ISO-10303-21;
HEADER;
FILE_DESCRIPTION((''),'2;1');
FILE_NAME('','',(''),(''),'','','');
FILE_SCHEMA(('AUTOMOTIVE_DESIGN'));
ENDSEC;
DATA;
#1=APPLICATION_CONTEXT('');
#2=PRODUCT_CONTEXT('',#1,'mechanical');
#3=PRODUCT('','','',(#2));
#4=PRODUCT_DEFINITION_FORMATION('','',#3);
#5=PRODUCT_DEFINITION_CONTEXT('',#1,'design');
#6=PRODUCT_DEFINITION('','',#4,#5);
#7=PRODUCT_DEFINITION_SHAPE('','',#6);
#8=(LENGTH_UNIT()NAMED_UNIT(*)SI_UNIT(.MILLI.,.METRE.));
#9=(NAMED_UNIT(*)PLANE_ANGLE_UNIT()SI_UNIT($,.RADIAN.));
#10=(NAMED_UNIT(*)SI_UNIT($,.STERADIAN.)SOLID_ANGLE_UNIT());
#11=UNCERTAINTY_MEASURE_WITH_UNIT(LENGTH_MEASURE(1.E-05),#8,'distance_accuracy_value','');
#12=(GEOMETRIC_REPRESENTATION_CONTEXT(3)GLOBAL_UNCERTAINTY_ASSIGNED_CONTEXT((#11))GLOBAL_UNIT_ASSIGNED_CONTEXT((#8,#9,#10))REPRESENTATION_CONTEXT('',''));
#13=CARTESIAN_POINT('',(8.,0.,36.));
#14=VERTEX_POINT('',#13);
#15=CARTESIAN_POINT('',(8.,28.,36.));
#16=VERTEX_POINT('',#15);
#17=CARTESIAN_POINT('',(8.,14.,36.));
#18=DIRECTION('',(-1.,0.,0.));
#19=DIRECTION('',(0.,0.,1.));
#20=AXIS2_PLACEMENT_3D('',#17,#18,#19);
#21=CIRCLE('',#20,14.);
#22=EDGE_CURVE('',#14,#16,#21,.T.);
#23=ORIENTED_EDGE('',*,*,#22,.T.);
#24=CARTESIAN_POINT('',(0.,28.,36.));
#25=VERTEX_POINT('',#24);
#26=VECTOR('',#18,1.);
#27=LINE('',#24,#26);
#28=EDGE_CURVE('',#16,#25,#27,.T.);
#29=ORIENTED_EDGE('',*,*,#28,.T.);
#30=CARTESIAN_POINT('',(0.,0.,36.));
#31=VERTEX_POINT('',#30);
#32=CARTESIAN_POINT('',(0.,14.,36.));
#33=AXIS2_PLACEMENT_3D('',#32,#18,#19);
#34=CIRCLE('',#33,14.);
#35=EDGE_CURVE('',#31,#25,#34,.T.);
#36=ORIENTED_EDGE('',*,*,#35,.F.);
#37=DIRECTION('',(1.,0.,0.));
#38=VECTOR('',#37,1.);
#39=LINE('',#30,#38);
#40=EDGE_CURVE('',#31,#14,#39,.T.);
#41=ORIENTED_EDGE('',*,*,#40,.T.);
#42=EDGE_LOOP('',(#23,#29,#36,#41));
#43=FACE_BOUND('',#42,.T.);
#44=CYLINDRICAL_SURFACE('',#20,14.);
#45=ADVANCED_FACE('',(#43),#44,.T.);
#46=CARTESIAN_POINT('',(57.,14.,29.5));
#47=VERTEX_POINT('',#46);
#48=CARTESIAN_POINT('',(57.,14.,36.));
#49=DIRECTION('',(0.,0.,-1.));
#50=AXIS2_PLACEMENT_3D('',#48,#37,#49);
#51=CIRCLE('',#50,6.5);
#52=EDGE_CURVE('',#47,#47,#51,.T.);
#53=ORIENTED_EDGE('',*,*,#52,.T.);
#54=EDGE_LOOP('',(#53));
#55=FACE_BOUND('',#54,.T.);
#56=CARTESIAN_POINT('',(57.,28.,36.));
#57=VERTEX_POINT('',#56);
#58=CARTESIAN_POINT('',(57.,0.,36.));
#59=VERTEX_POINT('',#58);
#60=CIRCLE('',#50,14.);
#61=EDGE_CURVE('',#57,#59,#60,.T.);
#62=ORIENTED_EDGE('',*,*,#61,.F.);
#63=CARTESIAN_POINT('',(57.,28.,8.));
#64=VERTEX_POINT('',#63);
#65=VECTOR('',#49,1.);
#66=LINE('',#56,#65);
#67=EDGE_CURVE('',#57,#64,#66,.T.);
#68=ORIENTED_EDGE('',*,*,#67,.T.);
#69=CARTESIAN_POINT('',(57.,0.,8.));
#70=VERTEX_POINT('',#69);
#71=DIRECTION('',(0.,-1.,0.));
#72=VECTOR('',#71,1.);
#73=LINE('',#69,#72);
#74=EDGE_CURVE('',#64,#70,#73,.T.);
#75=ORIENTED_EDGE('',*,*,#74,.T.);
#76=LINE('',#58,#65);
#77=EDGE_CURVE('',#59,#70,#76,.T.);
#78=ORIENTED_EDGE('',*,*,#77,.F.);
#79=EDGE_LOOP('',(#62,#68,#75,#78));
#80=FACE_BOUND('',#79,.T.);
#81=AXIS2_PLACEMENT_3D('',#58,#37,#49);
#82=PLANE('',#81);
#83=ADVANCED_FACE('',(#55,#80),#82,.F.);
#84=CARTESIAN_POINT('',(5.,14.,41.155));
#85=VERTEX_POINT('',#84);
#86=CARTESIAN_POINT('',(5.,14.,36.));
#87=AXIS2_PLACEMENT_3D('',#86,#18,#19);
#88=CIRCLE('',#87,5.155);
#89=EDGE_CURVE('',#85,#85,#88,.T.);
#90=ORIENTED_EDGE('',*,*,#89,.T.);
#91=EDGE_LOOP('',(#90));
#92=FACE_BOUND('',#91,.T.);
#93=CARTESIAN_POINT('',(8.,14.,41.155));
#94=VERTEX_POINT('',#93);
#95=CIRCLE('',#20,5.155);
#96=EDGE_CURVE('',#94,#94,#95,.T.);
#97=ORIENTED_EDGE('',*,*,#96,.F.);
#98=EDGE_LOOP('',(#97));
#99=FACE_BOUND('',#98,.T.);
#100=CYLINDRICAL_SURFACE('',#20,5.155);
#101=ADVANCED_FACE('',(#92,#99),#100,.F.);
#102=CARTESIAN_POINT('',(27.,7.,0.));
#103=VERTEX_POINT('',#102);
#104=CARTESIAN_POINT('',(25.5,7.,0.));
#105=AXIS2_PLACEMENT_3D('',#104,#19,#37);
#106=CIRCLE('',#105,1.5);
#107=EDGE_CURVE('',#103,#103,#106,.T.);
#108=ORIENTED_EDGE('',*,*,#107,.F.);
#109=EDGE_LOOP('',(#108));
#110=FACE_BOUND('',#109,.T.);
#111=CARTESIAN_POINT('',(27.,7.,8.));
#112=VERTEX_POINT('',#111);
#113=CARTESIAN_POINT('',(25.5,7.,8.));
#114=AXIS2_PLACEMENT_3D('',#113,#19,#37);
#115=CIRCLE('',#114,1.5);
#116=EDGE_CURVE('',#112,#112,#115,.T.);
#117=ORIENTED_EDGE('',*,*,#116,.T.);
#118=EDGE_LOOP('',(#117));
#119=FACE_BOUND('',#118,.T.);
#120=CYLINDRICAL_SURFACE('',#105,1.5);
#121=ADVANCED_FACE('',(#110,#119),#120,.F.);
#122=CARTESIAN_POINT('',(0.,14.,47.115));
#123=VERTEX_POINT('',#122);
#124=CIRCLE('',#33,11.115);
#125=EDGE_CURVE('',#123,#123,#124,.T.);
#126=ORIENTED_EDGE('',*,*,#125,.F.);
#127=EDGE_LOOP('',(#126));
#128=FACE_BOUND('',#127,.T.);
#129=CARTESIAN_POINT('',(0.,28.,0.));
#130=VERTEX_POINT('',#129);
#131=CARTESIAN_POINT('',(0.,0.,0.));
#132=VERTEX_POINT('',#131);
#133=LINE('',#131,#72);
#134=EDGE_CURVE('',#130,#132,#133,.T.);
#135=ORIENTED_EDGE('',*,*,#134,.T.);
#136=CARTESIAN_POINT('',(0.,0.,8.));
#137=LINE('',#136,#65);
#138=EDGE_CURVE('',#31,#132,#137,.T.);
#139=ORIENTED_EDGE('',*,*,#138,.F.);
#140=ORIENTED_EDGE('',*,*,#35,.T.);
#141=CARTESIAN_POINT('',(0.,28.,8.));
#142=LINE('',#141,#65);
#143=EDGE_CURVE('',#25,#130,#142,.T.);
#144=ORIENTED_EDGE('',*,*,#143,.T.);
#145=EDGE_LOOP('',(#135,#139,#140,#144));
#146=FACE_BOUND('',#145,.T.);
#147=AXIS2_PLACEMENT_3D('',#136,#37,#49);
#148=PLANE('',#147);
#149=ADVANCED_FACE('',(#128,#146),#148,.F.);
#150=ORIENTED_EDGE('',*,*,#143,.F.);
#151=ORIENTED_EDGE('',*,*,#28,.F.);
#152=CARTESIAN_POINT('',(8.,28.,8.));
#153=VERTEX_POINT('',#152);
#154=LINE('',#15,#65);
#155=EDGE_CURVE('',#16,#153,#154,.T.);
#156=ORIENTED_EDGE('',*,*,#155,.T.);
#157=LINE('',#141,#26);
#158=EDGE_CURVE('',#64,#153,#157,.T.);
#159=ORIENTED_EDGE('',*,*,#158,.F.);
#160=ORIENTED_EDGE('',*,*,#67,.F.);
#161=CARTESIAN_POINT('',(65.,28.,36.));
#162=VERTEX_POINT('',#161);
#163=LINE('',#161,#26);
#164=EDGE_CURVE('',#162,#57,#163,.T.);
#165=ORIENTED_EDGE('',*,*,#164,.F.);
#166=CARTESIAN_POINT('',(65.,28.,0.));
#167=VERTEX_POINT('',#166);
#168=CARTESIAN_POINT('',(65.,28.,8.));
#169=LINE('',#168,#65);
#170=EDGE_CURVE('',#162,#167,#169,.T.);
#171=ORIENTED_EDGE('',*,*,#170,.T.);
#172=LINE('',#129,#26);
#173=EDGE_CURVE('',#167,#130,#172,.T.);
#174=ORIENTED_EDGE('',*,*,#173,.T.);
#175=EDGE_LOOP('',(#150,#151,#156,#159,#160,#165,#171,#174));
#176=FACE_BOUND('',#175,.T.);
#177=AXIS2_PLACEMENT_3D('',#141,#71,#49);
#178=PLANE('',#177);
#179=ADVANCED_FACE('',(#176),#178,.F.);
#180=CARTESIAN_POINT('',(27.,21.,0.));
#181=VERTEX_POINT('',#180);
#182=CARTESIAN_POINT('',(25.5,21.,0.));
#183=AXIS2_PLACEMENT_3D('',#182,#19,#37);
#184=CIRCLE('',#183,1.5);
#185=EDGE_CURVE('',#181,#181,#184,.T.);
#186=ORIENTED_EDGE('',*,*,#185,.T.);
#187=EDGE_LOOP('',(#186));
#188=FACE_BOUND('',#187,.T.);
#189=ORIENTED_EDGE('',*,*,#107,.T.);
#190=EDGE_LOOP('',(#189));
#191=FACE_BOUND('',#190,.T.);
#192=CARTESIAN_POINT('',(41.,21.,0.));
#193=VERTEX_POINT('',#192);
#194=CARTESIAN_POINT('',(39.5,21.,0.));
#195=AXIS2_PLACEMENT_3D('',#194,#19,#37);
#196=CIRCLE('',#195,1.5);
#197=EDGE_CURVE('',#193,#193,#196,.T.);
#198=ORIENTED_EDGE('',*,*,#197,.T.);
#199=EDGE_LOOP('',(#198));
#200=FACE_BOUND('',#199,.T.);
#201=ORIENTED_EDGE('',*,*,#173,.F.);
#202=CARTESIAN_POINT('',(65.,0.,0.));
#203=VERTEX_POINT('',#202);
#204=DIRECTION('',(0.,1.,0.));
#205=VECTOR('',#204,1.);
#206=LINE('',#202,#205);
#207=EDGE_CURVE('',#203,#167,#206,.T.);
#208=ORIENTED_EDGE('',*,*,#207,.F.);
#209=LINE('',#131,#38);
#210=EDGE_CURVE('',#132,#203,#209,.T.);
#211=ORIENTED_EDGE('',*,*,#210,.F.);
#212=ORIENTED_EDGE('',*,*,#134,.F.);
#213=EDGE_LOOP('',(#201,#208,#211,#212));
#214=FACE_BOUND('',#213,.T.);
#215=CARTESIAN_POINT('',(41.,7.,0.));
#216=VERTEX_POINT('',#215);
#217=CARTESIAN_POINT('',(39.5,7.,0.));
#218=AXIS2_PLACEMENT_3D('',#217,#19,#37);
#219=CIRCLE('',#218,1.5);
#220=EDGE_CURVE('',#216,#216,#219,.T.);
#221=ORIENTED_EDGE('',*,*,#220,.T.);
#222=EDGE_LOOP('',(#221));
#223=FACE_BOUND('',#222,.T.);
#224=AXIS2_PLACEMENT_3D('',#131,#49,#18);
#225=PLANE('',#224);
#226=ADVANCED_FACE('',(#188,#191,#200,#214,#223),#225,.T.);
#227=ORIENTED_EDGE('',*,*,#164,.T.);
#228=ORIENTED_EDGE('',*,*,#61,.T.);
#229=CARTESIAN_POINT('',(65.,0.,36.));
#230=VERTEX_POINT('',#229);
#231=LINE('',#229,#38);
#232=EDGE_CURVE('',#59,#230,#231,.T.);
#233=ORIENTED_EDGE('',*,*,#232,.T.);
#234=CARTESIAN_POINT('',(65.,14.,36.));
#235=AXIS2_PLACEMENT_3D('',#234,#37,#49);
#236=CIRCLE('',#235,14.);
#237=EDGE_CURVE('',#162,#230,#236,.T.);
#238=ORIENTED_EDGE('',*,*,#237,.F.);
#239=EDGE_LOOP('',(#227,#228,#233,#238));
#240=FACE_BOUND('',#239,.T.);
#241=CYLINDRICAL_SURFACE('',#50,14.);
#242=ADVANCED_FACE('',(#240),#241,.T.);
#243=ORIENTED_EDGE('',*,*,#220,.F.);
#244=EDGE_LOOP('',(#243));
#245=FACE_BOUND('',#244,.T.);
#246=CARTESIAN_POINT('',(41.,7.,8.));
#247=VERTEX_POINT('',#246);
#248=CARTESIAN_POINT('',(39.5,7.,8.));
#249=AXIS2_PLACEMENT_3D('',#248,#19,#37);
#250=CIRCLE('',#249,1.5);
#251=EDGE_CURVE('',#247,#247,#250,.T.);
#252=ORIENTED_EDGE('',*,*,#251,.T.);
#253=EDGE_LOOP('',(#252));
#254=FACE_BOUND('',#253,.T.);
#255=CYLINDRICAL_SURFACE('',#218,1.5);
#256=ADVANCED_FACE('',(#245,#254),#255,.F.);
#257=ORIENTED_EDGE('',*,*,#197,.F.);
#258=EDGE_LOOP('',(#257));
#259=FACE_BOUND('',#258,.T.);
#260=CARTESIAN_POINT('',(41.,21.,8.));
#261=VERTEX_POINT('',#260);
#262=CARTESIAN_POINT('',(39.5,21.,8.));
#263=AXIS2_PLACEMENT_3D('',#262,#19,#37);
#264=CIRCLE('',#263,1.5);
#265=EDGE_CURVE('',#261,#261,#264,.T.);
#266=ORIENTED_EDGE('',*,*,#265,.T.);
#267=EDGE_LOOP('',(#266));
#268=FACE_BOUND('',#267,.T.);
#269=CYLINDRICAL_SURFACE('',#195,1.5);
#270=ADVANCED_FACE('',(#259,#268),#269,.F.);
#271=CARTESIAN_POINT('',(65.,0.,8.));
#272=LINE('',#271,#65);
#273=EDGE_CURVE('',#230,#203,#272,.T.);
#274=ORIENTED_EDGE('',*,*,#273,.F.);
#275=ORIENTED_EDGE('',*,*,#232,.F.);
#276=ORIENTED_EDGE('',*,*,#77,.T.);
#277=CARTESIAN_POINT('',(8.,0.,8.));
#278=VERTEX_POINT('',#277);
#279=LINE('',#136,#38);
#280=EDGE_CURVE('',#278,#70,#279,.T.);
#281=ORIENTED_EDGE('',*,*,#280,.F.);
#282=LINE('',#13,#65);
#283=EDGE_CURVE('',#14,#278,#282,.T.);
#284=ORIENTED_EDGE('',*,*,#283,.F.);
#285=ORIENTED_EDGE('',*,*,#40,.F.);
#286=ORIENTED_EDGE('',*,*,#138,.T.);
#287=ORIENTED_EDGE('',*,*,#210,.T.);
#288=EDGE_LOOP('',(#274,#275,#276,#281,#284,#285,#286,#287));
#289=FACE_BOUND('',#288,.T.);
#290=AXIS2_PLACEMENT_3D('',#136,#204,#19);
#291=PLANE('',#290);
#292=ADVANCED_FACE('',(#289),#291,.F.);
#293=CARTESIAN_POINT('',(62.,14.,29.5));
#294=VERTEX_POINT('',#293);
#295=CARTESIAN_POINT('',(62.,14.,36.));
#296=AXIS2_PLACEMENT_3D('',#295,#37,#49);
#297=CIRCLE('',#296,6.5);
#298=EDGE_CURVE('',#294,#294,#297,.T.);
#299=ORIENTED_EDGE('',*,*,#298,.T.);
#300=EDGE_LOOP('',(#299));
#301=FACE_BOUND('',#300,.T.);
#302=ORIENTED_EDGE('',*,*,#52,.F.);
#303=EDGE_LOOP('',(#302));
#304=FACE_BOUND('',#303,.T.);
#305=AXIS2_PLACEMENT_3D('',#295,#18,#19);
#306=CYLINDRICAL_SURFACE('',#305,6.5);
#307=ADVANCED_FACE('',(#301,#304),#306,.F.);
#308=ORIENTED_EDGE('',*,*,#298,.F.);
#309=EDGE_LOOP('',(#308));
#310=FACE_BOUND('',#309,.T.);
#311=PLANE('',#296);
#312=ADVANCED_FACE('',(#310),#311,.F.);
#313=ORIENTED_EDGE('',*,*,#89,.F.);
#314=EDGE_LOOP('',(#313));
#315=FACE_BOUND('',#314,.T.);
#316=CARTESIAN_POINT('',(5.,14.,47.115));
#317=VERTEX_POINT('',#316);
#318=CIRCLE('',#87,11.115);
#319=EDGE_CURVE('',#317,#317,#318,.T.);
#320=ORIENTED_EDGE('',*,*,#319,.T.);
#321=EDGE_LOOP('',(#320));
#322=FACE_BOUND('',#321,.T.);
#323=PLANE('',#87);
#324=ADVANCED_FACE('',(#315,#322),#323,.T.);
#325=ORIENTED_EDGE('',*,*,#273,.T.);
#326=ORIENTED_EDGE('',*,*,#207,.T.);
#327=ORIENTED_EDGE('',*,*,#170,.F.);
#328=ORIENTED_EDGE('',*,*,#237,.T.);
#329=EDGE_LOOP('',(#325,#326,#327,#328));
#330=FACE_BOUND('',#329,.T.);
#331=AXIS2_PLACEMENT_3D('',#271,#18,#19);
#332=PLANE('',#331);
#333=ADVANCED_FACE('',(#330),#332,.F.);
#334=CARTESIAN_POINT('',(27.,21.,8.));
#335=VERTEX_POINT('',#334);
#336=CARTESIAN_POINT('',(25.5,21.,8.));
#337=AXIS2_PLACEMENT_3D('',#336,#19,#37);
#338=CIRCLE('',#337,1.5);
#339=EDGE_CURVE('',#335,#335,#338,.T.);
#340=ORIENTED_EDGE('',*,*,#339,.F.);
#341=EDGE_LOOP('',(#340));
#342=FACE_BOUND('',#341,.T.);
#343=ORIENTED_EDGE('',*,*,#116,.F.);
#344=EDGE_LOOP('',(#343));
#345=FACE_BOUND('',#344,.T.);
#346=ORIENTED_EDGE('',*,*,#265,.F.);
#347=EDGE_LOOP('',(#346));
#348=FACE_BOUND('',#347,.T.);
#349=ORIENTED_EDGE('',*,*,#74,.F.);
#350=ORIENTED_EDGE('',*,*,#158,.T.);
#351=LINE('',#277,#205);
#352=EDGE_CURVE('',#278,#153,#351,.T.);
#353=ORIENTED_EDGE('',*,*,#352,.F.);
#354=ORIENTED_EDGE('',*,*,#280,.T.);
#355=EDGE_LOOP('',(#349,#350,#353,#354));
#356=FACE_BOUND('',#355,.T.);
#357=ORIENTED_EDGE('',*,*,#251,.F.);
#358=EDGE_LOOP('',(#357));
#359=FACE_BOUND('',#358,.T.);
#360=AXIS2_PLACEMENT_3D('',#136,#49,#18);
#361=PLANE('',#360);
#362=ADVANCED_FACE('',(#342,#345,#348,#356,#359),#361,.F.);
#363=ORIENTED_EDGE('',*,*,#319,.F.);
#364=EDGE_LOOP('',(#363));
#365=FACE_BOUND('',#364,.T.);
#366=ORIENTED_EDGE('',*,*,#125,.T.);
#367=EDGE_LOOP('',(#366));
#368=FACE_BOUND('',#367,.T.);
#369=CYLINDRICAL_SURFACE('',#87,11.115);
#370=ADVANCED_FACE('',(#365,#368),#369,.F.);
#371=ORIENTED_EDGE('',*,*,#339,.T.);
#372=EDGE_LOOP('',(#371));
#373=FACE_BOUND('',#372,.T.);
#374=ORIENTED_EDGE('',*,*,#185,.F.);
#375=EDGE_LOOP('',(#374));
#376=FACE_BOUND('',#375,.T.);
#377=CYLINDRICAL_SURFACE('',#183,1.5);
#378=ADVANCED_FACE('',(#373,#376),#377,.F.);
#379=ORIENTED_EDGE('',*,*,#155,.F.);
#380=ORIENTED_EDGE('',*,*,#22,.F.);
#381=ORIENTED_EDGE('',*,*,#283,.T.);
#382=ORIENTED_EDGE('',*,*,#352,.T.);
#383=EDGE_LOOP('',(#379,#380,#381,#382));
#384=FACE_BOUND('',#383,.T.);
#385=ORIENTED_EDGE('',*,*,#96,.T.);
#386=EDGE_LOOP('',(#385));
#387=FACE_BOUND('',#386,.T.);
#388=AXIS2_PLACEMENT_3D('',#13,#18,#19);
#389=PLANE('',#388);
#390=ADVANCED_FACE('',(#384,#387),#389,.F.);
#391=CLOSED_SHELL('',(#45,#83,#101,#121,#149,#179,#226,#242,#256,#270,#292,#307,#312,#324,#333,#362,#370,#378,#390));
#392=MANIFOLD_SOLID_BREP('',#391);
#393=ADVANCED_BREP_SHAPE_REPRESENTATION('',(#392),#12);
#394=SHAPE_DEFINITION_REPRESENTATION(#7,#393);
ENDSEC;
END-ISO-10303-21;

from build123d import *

# Parameters (mm, degrees)
CROQUIS1_W              = 65
CROQUIS1_H              = 28
SALIENTE_EXTRUIR1_DEPTH = 8
CROQUIS2_W              = 8
CROQUIS2_H              = 28
SALIENTE_EXTRUIR2_DEPTH = 28
CROQUIS3_R              = 14
SALIENTE_EXTRUIR3_DEPTH = 8
CROQUIS4_R              = 14
SALIENTE_EXTRUIR4_DEPTH = 8
CROQUIS5_R              = 11.115
CORTAR_EXTRUIR1_DEPTH   = 5
CROQUIS6_R              = 5.155
CORTAR_EXTRUIR2_DEPTH   = 8
CORTAR_EXTRUIR3_START   = -8
CROQUIS7_R              = 6.5
CORTAR_EXTRUIR3_DEPTH   = 5
CROQUIS8_R              = 1.5
CORTAR_EXTRUIR4_DEPTH   = 8


with BuildPart() as part:
    # Croquis1 → Saliente-Extruir1 (new body)
    with BuildSketch(Plane.XY):
        with Locations((32.5, 14)):
            Rectangle(CROQUIS1_W, CROQUIS1_H)
    extrude(amount=SALIENTE_EXTRUIR1_DEPTH)

    # Croquis2 → Saliente-Extruir2 (add)
    with BuildSketch(Plane.XY.offset(8)):
        with Locations((4, 14)):
            Rectangle(CROQUIS2_W, CROQUIS2_H)
        with Locations((61, 14)):
            Rectangle(CROQUIS2_W, CROQUIS2_H)
    extrude(amount=SALIENTE_EXTRUIR2_DEPTH)

    # Croquis3 → Saliente-Extruir3 (add)
    with BuildSketch(Plane.ZY):
        with Locations((36, 14)):
            Circle(CROQUIS3_R)
    extrude(amount=-SALIENTE_EXTRUIR3_DEPTH)

    # Croquis4 → Saliente-Extruir4 (add)
    with BuildSketch(Plane(origin=(65, 0, 0), x_dir=(0, 0, -1), z_dir=(1, 0, 0))):
        with Locations((-36, 14)):
            Circle(CROQUIS4_R)
    extrude(amount=-SALIENTE_EXTRUIR4_DEPTH)

    # Croquis5 → Cortar-Extruir1 (cut)
    with BuildSketch(Plane.ZY):
        with Locations((36, 14)):
            Circle(CROQUIS5_R)
    extrude(amount=-CORTAR_EXTRUIR1_DEPTH, mode=Mode.SUBTRACT)

    # Croquis6 → Cortar-Extruir2 (cut)
    with BuildSketch(Plane.ZY):
        with Locations((36, 14)):
            Circle(CROQUIS6_R)
    extrude(amount=-CORTAR_EXTRUIR2_DEPTH, mode=Mode.SUBTRACT)

    # Croquis7 → Cortar-Extruir3 (cut)
    with BuildSketch(Plane(origin=(65, 0, 0), x_dir=(0, 0, -1), z_dir=(1, 0, 0)).offset(CORTAR_EXTRUIR3_START)):
        with Locations((-36, 14)):
            Circle(CROQUIS7_R)
    extrude(amount=CORTAR_EXTRUIR3_DEPTH, mode=Mode.SUBTRACT)

    # Croquis8 → Cortar-Extruir4 (cut)
    with BuildSketch(Plane.XY.offset(8)):
        with Locations((39.5, 21)):
            Circle(CROQUIS8_R)
        with Locations((25.5, 21)):
            Circle(CROQUIS8_R)
        with Locations((25.5, 7)):
            Circle(CROQUIS8_R)
        with Locations((39.5, 7)):
            Circle(CROQUIS8_R)
    extrude(amount=-CORTAR_EXTRUIR4_DEPTH, mode=Mode.SUBTRACT)


solid = part.part
